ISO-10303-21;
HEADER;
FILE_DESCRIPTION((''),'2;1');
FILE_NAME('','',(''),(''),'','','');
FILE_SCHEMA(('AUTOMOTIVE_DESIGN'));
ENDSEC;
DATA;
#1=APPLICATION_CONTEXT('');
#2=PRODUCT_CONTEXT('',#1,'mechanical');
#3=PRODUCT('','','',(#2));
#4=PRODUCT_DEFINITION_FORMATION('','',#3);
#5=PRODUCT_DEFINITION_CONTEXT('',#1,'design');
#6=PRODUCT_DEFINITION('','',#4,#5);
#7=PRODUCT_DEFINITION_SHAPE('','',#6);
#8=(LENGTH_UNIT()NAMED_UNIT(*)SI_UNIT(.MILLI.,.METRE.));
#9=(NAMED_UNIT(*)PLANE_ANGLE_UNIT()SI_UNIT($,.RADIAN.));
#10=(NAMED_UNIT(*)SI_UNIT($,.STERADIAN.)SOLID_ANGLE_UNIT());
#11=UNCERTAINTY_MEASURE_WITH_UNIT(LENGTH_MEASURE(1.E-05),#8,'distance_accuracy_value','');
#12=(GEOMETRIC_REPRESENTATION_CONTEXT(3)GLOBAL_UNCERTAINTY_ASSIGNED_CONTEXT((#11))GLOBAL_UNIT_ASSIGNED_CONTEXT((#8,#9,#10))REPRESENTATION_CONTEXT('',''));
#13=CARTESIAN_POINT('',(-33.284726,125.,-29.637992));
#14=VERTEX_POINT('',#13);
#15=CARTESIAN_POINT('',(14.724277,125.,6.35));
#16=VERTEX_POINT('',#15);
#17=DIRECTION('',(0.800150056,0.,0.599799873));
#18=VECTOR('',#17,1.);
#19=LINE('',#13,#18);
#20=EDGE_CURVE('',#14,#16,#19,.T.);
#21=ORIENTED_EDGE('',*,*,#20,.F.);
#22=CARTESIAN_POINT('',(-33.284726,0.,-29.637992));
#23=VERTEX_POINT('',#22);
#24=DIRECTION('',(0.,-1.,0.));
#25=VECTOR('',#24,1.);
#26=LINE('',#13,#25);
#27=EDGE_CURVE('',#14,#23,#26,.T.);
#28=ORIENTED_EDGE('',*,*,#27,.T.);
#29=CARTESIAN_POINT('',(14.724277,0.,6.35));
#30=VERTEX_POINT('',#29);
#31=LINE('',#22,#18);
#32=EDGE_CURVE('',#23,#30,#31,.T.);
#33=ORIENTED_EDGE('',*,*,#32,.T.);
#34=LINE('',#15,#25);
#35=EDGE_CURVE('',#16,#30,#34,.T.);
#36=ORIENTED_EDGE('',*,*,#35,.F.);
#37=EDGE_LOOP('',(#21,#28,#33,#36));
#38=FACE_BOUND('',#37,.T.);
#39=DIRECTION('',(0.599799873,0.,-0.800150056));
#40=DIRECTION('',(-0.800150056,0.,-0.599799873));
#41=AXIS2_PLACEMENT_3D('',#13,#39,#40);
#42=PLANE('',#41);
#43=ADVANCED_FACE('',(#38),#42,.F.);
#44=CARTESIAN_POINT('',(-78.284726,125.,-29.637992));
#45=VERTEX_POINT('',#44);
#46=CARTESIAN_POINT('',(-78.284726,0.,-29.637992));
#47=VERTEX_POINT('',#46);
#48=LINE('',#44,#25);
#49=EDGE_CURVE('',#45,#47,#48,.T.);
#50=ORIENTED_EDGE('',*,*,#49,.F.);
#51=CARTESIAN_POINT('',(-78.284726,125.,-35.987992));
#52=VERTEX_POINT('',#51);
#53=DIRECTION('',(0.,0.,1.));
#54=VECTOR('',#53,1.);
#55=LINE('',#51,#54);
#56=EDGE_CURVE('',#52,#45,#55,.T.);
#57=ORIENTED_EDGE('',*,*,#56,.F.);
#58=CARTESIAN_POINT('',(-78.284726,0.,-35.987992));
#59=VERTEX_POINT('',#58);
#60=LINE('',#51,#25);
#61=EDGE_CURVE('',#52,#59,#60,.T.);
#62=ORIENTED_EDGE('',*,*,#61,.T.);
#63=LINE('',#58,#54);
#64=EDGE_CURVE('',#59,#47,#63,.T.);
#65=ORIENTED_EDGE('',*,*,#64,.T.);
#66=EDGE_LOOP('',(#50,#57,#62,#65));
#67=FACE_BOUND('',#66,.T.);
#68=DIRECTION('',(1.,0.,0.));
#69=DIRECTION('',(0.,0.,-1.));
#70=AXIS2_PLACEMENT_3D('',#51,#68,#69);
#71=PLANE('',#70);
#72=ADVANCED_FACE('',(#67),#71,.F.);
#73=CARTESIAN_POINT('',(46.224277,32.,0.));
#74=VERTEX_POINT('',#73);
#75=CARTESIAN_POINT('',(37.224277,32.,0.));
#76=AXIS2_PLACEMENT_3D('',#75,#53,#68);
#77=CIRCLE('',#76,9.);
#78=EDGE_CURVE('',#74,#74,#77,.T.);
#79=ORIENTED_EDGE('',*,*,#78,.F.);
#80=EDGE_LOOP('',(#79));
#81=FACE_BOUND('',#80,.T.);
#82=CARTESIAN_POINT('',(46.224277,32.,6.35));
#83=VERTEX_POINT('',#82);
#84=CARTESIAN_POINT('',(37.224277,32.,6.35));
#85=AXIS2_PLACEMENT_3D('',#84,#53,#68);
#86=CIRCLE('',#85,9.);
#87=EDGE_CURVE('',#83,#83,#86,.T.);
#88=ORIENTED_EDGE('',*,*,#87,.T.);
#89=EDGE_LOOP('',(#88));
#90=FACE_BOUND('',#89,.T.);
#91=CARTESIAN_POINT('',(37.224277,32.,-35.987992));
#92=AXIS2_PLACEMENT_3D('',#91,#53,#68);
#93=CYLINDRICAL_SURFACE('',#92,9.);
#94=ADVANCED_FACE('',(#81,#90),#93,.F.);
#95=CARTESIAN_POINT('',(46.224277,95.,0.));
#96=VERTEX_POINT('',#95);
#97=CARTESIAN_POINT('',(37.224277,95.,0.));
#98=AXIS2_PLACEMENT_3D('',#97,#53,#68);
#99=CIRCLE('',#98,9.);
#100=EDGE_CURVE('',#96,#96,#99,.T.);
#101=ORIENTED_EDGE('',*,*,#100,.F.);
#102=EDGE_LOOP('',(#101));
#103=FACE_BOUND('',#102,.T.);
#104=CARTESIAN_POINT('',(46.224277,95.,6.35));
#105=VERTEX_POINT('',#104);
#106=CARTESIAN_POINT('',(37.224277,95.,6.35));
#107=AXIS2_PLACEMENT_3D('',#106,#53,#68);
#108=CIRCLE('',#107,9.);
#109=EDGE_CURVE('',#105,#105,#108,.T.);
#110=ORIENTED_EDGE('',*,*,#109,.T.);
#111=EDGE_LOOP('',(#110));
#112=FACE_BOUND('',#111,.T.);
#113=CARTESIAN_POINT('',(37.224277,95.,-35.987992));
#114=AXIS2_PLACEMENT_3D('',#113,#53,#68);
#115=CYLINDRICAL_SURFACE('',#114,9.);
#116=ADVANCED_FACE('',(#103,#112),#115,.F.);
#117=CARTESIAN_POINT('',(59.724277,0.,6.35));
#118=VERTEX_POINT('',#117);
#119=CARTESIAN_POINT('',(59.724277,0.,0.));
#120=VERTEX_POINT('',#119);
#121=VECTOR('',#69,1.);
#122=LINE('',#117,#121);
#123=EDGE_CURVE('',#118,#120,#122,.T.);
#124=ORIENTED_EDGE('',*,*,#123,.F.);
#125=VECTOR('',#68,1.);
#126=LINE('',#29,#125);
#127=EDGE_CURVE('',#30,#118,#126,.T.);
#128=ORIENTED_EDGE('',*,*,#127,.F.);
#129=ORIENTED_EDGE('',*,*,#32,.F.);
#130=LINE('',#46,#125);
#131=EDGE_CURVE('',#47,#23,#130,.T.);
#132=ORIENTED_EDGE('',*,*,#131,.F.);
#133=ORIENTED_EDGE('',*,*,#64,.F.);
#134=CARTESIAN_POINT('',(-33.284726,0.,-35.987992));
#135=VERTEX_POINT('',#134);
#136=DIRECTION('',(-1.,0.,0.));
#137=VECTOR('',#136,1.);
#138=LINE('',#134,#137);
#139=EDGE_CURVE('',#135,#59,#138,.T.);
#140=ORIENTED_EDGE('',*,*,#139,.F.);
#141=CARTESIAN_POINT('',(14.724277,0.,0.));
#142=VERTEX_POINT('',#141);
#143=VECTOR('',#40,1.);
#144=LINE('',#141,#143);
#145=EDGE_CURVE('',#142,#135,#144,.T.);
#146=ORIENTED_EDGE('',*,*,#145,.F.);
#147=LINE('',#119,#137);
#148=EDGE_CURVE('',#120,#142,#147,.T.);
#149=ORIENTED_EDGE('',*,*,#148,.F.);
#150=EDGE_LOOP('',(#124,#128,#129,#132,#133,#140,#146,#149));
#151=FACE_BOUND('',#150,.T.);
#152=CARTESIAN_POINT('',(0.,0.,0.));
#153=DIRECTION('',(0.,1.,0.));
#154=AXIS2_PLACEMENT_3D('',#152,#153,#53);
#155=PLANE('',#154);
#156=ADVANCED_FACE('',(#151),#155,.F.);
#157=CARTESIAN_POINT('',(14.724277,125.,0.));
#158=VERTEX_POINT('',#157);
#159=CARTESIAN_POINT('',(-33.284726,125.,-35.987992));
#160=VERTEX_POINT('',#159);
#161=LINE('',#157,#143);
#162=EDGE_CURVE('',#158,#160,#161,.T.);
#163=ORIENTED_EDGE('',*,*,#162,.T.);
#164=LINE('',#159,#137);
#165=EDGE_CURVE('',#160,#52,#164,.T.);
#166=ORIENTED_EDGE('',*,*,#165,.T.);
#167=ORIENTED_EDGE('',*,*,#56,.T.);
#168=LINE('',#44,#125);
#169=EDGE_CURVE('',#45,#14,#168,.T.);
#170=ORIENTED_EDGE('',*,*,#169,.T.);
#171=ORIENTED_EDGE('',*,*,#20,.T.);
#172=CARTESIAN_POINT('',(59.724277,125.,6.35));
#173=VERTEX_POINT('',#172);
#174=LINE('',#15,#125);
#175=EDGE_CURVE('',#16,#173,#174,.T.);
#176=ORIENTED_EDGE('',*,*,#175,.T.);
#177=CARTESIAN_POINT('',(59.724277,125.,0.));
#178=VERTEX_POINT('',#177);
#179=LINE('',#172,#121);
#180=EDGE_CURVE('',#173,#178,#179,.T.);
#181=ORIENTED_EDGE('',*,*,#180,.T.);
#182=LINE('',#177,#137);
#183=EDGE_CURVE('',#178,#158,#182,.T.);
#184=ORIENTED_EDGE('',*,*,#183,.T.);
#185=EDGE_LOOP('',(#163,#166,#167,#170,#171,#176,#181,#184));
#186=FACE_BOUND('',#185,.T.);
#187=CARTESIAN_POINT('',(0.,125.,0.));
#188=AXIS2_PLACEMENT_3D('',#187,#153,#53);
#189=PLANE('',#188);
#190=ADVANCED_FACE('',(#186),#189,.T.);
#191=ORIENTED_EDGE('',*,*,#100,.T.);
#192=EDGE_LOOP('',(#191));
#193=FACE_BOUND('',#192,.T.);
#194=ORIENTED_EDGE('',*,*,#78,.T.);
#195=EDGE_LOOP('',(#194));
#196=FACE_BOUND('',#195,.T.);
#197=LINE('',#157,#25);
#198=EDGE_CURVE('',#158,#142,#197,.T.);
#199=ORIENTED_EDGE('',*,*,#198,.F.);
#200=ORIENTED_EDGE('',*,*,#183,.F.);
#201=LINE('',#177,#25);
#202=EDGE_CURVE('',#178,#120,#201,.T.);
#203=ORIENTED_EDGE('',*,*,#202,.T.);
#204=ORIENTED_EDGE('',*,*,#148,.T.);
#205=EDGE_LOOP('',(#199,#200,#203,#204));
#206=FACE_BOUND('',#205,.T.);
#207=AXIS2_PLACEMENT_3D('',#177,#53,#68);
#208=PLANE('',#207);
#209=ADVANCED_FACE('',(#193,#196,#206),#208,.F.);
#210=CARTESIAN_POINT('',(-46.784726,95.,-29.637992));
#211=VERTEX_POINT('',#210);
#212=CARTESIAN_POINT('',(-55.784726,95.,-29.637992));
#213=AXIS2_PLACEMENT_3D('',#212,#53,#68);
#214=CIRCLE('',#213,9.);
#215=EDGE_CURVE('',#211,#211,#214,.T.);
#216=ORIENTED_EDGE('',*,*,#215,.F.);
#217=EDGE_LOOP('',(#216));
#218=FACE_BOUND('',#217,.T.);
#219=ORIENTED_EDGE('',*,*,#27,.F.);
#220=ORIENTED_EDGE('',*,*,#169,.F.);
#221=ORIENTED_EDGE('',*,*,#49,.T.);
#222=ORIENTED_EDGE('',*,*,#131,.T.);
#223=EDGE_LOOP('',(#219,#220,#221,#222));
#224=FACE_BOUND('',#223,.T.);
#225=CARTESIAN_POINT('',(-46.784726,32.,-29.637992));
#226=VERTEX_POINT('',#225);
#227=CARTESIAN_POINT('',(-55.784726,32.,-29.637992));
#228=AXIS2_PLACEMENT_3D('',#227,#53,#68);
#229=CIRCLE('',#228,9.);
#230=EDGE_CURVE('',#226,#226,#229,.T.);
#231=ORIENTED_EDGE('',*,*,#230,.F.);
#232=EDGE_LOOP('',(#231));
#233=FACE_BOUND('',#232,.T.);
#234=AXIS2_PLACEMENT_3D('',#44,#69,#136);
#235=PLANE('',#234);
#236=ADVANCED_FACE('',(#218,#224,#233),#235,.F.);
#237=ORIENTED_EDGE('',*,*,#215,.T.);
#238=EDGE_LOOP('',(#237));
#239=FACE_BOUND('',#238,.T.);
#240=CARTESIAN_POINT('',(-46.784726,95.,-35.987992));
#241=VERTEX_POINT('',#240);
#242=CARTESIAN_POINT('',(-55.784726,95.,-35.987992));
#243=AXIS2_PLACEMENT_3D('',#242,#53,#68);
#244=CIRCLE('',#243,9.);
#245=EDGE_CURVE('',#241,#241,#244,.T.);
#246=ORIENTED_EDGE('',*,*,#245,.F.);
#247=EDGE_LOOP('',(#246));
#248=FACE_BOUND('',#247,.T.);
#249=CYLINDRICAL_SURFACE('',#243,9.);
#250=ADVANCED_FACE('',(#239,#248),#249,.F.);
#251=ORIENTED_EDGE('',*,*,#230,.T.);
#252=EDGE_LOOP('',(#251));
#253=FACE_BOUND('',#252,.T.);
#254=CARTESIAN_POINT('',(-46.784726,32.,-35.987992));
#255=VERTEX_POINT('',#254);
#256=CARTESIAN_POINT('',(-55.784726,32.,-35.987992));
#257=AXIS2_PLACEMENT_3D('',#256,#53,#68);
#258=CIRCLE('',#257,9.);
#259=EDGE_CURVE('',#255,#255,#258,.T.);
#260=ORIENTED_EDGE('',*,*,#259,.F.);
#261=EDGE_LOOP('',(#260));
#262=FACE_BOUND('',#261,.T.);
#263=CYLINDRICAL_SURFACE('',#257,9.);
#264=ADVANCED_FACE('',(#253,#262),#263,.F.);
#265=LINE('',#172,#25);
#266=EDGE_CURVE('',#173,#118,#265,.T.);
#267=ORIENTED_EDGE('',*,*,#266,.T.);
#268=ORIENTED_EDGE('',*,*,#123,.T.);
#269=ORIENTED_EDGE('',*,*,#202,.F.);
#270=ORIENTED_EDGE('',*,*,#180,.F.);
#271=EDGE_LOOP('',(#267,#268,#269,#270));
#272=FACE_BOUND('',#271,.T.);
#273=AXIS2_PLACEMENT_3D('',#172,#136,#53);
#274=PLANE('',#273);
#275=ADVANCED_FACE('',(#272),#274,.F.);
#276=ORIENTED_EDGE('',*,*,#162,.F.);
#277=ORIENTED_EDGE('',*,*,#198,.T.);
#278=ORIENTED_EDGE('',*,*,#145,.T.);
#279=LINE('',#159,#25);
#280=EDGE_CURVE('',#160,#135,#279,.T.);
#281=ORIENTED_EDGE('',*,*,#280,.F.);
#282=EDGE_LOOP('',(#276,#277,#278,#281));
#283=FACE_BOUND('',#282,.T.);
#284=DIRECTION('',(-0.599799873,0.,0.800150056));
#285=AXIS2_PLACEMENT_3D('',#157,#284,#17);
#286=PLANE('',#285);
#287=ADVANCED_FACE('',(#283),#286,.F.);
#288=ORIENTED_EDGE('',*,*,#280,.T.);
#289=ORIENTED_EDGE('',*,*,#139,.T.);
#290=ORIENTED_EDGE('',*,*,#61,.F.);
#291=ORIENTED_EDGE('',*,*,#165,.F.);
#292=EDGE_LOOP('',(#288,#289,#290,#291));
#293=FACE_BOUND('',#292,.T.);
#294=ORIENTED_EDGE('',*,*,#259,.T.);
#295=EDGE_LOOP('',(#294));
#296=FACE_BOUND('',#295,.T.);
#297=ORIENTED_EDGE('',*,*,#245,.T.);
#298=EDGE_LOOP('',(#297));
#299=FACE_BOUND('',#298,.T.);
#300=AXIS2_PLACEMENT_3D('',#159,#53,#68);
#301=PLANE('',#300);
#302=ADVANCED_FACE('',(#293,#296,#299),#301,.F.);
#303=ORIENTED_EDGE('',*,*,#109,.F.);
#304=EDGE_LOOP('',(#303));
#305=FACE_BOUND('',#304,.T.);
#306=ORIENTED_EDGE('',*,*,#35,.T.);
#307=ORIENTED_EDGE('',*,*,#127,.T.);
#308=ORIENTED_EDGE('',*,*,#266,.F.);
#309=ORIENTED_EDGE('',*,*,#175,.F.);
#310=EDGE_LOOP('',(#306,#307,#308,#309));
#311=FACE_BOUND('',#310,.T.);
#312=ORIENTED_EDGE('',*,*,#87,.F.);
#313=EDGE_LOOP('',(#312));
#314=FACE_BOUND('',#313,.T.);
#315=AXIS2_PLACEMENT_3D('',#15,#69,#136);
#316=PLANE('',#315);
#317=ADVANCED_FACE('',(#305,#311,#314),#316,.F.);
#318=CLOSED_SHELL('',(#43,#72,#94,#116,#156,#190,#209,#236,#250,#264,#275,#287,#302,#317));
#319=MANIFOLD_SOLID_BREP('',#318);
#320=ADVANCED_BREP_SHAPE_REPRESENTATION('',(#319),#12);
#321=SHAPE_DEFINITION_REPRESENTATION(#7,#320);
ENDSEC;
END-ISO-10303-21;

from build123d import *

# Parameters (mm, degrees)
BOSS_EXTRUDE1_DEPTH = 125
SKETCH4_R           = 9
CUT_EXTRUDE1_DEPTH  = 152.817765536
SKETCH5_R           = 9
CUT_EXTRUDE2_DEPTH  = 154.447072098


with BuildPart() as part:
    # Sketch1 → Boss-Extrude1 (new body)
    with BuildSketch(Plane(origin=(0, 0, 0), x_dir=(1, 0, 0), z_dir=(0, 1, 0))):
        Polygon((-78.284726088, 35.987992356), (-78.284726088, 29.637992356), (-33.284726088, 29.637992356), (14.724277299, -6.35), (59.724277299, -6.35), (59.724277299, 0), (14.724277299, 0), (-33.284726088, 35.987992356), align=None)
    extrude(amount=BOSS_EXTRUDE1_DEPTH)

    # Sketch4 → Cut-Extrude1 (cut, through all)
    with BuildSketch(Plane.XY.offset(-29.637992356)):
        with Locations((-55.784726088, 95)):
            Circle(SKETCH4_R)
        with Locations((-55.784726088, 32)):
            Circle(SKETCH4_R)
    extrude(amount=-CUT_EXTRUDE1_DEPTH, mode=Mode.SUBTRACT)

    # Sketch5 → Cut-Extrude2 (cut, through all)
    with BuildSketch(Plane.XY.offset(6.35)):
        with Locations((37.224277299, 95)):
            Circle(SKETCH5_R)
        with Locations((37.224277299, 32)):
            Circle(SKETCH5_R)
    extrude(amount=-CUT_EXTRUDE2_DEPTH, mode=Mode.SUBTRACT)


solid = part.part
